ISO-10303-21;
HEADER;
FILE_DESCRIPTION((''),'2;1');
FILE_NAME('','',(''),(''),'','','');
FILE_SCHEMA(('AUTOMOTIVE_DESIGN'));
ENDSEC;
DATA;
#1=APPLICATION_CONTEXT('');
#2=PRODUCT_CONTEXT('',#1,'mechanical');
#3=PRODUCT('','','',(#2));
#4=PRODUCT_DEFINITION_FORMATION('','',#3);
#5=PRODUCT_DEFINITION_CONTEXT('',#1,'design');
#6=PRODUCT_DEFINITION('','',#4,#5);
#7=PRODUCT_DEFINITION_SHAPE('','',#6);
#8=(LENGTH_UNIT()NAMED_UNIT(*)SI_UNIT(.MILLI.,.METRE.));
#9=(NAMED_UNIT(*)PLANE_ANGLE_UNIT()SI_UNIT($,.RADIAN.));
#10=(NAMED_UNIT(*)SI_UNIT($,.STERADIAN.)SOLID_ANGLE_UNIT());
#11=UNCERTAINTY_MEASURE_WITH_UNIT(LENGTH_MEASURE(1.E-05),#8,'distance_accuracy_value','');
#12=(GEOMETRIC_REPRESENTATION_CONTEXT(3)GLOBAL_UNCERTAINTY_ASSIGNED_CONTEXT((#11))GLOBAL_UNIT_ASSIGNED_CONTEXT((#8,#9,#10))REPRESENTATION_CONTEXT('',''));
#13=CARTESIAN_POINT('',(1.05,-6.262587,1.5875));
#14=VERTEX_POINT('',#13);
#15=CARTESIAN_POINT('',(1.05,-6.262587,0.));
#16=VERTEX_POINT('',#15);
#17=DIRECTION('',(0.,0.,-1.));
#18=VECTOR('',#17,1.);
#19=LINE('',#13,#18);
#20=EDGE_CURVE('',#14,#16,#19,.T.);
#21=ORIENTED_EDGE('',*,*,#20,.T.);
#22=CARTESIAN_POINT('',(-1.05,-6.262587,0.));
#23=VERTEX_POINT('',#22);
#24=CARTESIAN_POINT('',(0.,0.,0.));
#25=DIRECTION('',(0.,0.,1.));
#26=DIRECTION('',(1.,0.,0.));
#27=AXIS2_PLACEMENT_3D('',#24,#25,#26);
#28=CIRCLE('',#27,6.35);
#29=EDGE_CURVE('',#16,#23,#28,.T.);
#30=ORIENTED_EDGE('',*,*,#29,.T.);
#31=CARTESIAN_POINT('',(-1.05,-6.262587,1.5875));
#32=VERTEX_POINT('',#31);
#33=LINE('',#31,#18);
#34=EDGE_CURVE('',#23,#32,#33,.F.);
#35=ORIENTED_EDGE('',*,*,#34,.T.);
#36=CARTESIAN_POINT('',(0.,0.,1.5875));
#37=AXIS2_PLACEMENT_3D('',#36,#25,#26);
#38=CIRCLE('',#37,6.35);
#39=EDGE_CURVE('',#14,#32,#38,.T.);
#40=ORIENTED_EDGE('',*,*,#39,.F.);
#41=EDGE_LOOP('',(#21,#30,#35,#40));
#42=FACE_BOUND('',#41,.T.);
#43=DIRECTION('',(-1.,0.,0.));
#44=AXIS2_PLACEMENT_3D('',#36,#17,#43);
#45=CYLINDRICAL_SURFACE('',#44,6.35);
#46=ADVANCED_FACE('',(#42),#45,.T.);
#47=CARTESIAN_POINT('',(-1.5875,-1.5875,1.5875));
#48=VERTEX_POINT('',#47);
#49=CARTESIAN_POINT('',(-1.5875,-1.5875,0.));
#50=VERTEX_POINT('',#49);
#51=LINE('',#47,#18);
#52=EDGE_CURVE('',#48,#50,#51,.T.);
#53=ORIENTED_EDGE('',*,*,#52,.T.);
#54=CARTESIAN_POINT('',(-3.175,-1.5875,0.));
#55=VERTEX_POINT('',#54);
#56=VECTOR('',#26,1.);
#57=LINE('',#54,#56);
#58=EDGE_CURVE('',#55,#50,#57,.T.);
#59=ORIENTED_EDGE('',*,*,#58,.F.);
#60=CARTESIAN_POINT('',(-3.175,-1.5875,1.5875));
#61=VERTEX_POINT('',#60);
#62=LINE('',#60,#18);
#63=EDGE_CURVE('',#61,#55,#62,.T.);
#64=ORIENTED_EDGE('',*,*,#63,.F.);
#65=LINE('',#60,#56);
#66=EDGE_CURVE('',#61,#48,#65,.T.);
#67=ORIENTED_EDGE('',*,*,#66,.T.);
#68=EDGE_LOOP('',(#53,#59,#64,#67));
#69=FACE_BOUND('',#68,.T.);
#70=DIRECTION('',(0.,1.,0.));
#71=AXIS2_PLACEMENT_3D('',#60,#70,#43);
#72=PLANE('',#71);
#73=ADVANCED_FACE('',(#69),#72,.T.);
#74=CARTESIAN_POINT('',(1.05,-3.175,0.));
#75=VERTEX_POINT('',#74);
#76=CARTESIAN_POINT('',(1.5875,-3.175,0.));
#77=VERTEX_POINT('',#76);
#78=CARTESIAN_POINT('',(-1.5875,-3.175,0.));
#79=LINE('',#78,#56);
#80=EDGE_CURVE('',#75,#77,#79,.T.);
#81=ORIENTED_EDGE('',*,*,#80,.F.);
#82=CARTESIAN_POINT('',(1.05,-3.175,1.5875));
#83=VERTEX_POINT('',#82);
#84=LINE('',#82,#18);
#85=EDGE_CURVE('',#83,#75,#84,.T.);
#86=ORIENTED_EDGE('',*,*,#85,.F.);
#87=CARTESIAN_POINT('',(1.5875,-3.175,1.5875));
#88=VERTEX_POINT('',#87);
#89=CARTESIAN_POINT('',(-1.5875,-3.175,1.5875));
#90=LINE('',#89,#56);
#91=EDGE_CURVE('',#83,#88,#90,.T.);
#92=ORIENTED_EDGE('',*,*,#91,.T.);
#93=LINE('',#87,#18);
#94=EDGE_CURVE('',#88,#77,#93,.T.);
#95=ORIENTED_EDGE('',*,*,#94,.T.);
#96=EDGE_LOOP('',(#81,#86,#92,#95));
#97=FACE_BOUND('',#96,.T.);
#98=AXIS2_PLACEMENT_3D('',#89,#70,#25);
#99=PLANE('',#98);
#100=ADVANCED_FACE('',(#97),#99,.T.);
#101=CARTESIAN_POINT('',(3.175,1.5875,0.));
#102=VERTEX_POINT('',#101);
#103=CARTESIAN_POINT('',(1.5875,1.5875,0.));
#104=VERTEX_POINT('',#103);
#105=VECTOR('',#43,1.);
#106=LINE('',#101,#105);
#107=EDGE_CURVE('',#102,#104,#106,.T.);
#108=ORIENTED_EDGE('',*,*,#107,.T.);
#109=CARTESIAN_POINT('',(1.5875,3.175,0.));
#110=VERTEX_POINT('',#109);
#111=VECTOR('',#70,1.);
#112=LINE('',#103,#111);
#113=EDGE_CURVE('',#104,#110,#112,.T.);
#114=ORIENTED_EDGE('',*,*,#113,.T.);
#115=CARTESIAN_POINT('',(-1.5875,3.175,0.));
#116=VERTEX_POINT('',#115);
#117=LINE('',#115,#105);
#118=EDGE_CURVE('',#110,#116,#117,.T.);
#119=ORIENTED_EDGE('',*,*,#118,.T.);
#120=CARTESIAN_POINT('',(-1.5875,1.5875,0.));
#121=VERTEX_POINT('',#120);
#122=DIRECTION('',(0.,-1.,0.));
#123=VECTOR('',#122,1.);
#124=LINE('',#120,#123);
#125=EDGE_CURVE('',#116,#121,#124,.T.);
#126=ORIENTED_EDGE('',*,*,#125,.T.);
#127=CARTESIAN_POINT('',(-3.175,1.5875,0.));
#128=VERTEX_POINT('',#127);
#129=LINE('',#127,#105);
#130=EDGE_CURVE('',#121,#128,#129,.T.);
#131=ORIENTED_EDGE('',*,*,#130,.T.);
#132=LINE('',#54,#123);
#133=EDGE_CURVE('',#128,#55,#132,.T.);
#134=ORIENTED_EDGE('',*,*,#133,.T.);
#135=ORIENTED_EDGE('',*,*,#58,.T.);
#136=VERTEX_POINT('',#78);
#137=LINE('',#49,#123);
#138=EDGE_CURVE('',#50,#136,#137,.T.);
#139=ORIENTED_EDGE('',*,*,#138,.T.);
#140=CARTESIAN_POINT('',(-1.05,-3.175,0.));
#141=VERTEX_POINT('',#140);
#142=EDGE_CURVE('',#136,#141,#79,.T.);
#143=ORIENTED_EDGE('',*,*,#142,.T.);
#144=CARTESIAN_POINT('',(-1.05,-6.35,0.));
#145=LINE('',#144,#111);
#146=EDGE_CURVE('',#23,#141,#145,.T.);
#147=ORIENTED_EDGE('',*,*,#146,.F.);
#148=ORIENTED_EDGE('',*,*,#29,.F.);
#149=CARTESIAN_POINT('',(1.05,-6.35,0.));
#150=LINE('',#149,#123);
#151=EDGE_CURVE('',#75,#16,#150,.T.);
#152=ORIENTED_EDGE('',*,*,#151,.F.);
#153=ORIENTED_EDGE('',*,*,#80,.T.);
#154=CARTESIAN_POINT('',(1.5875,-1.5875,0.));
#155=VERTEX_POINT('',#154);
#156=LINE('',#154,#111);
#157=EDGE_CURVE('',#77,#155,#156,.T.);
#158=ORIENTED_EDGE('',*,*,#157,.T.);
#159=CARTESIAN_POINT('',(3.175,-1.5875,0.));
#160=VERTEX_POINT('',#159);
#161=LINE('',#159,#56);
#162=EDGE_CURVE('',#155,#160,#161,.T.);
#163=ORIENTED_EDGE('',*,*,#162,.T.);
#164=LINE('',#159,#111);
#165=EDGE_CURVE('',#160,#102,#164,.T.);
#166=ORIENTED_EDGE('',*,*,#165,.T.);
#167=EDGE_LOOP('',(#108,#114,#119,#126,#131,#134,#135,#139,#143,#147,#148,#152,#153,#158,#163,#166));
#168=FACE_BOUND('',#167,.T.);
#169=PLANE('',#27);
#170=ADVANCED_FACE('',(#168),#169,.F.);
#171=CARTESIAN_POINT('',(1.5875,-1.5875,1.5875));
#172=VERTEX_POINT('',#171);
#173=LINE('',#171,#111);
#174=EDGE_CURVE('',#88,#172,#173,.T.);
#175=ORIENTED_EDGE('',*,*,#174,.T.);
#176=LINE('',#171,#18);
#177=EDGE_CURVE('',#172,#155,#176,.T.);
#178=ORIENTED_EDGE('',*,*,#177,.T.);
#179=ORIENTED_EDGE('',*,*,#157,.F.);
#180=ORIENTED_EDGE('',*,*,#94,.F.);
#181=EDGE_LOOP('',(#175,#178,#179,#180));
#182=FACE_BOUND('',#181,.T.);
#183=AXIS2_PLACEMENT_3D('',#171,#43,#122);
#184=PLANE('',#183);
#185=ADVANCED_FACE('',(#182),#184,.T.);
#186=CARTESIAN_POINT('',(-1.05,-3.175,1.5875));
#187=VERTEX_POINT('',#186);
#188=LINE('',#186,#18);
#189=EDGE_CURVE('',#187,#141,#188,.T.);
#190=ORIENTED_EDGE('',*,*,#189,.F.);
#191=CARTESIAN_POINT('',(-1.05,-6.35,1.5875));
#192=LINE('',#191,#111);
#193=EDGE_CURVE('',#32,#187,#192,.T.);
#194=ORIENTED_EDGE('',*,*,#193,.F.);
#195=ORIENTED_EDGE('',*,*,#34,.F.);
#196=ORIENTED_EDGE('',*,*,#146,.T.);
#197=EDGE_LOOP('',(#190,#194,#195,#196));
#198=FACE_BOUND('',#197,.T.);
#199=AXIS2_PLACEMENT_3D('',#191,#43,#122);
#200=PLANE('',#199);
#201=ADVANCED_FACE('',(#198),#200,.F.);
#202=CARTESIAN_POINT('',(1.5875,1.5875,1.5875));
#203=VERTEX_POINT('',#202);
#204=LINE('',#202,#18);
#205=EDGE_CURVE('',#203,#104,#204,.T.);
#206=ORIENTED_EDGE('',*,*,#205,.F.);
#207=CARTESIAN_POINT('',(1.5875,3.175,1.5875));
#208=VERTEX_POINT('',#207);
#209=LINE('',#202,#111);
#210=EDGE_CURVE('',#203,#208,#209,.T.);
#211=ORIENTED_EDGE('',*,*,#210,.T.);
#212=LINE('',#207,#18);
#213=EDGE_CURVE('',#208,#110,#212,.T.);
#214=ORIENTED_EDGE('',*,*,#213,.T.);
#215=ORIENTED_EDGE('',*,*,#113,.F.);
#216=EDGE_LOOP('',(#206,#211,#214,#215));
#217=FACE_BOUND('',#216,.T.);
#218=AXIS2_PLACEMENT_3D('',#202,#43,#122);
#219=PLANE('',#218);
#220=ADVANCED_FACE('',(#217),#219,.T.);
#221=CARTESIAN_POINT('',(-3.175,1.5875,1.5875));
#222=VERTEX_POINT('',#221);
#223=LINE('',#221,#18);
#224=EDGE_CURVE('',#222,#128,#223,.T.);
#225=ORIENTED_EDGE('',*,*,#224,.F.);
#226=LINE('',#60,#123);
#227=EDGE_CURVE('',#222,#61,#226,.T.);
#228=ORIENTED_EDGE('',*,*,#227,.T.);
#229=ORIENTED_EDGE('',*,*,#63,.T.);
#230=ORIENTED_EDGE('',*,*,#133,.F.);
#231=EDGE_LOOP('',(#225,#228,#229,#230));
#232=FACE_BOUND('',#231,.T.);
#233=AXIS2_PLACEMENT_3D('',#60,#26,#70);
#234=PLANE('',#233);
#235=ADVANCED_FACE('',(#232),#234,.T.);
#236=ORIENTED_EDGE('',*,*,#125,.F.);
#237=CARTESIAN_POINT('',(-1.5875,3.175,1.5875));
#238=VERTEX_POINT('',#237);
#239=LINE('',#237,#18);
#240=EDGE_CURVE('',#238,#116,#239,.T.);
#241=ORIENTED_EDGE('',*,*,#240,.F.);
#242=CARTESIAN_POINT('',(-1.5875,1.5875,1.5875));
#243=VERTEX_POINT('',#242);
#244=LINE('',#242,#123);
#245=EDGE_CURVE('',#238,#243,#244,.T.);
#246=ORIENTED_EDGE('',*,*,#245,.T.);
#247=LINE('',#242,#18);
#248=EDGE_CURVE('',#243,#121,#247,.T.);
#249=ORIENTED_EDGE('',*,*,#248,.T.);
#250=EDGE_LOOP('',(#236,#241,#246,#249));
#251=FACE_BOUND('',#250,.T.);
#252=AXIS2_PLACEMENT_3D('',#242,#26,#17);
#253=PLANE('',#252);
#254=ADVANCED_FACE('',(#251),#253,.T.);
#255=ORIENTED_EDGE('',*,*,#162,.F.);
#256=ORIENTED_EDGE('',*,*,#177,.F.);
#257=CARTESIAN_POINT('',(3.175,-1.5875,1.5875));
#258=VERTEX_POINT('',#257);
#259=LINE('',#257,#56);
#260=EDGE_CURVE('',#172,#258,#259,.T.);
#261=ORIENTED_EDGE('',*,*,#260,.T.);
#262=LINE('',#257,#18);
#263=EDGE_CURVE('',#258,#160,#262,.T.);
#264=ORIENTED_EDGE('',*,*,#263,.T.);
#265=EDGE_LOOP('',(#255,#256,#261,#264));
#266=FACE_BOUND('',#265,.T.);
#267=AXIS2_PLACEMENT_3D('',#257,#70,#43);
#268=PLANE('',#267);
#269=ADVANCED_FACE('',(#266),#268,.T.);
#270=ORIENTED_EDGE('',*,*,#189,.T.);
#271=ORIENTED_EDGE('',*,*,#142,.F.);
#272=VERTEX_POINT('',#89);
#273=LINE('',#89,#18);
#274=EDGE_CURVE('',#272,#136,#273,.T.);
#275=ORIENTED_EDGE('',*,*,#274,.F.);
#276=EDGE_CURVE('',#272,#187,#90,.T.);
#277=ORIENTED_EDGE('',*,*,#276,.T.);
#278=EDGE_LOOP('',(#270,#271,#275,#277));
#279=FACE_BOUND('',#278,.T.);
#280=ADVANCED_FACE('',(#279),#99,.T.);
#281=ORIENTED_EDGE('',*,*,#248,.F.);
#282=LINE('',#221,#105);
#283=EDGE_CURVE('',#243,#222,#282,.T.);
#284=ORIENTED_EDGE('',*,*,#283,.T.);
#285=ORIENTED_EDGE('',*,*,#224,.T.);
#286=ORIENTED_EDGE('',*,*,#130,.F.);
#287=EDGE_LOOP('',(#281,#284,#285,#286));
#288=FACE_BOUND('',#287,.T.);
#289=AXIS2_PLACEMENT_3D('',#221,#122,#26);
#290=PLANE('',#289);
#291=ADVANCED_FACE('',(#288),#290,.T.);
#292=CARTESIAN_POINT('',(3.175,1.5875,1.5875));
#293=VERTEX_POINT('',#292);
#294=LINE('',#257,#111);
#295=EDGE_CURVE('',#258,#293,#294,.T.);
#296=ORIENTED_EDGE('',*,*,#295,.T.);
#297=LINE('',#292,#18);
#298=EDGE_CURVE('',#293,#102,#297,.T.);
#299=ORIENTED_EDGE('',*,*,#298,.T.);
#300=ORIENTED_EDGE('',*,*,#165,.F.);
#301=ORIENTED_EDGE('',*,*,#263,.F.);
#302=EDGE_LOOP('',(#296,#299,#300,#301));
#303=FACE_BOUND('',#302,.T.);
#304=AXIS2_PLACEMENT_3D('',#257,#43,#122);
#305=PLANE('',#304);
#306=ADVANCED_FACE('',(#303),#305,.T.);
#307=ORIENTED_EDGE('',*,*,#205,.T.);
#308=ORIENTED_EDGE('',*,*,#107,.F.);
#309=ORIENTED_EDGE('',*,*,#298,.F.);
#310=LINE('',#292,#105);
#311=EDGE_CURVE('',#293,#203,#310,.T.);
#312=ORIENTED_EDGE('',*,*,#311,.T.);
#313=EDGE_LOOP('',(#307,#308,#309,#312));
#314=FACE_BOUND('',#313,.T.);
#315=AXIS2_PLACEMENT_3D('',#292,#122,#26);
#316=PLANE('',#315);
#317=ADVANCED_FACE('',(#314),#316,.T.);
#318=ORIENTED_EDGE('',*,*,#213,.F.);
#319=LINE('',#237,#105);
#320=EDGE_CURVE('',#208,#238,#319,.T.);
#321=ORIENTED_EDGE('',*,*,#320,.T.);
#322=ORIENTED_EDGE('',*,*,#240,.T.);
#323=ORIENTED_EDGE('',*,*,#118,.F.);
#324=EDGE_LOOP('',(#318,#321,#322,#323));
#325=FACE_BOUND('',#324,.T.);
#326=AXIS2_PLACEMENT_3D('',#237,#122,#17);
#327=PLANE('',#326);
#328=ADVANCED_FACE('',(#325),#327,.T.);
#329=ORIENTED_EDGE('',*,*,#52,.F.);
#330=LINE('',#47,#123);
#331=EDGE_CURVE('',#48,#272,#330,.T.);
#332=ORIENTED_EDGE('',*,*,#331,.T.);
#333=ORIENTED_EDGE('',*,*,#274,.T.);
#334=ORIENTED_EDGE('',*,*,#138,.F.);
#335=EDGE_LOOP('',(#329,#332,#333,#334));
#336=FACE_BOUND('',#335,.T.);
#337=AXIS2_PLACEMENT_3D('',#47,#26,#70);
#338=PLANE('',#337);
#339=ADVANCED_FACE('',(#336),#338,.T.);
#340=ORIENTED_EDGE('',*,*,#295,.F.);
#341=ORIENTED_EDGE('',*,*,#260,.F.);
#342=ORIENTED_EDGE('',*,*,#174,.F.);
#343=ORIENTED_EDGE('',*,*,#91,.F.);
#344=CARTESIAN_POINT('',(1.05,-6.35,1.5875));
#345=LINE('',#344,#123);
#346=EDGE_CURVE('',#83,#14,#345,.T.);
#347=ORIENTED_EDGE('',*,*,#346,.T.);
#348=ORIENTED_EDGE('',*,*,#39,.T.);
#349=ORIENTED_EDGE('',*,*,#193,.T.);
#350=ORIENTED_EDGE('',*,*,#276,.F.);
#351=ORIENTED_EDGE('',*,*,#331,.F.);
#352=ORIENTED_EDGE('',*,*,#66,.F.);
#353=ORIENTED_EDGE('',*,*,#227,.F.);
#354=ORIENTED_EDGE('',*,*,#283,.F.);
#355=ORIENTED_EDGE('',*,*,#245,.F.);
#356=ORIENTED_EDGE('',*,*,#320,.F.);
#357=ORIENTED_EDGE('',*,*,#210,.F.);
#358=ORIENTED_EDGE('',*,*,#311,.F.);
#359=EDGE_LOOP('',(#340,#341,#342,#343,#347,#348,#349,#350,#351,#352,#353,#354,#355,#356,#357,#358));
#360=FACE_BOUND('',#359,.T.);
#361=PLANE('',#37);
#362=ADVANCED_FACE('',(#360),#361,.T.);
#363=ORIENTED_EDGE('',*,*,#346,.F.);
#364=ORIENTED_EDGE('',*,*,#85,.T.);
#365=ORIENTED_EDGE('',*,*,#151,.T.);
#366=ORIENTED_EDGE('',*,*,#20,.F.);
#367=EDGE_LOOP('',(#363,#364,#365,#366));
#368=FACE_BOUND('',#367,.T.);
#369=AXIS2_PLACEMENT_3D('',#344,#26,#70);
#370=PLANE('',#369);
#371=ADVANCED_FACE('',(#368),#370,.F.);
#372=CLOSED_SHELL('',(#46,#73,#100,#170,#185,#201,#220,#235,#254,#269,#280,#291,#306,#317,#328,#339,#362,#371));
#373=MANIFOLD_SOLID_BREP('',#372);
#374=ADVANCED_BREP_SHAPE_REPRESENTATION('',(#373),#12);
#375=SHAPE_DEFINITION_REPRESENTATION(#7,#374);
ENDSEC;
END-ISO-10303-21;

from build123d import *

# Parameters (mm, degrees)
SKETCH1_R           = 6.35
BOSS_EXTRUDE1_DEPTH = 1.5875
SKETCH2_W           = 2.1
SKETCH2_H           = 3.175
CUT_EXTRUDE1_DEPTH  = 10.119493201


with BuildPart() as part:
    # Sketch1 → Boss-Extrude1 (new body)
    with BuildSketch(Plane.XY):
        Circle(SKETCH1_R)
        Polygon((-3.175, -1.5875), (-3.175, 1.5875), (-1.5875, 1.5875), (-1.5875, 3.175), (1.5875, 3.175), (1.5875, 1.5875), (3.175, 1.5875), (3.175, -1.5875), (1.5875, -1.5875), (1.5875, -3.175), (-1.5875, -3.175), (-1.5875, -1.5875), align=None, mode=Mode.SUBTRACT)
    extrude(amount=BOSS_EXTRUDE1_DEPTH)

    # Sketch2 → Cut-Extrude1 (cut, through all)
    with BuildSketch(Plane(origin=(0, 0, 0), x_dir=(-1, 0, 0), z_dir=(0, 0, -1))):
        with Locations((0, -4.7625)):
            Rectangle(SKETCH2_W, SKETCH2_H)
    extrude(amount=-CUT_EXTRUDE1_DEPTH, mode=Mode.SUBTRACT)


solid = part.part
